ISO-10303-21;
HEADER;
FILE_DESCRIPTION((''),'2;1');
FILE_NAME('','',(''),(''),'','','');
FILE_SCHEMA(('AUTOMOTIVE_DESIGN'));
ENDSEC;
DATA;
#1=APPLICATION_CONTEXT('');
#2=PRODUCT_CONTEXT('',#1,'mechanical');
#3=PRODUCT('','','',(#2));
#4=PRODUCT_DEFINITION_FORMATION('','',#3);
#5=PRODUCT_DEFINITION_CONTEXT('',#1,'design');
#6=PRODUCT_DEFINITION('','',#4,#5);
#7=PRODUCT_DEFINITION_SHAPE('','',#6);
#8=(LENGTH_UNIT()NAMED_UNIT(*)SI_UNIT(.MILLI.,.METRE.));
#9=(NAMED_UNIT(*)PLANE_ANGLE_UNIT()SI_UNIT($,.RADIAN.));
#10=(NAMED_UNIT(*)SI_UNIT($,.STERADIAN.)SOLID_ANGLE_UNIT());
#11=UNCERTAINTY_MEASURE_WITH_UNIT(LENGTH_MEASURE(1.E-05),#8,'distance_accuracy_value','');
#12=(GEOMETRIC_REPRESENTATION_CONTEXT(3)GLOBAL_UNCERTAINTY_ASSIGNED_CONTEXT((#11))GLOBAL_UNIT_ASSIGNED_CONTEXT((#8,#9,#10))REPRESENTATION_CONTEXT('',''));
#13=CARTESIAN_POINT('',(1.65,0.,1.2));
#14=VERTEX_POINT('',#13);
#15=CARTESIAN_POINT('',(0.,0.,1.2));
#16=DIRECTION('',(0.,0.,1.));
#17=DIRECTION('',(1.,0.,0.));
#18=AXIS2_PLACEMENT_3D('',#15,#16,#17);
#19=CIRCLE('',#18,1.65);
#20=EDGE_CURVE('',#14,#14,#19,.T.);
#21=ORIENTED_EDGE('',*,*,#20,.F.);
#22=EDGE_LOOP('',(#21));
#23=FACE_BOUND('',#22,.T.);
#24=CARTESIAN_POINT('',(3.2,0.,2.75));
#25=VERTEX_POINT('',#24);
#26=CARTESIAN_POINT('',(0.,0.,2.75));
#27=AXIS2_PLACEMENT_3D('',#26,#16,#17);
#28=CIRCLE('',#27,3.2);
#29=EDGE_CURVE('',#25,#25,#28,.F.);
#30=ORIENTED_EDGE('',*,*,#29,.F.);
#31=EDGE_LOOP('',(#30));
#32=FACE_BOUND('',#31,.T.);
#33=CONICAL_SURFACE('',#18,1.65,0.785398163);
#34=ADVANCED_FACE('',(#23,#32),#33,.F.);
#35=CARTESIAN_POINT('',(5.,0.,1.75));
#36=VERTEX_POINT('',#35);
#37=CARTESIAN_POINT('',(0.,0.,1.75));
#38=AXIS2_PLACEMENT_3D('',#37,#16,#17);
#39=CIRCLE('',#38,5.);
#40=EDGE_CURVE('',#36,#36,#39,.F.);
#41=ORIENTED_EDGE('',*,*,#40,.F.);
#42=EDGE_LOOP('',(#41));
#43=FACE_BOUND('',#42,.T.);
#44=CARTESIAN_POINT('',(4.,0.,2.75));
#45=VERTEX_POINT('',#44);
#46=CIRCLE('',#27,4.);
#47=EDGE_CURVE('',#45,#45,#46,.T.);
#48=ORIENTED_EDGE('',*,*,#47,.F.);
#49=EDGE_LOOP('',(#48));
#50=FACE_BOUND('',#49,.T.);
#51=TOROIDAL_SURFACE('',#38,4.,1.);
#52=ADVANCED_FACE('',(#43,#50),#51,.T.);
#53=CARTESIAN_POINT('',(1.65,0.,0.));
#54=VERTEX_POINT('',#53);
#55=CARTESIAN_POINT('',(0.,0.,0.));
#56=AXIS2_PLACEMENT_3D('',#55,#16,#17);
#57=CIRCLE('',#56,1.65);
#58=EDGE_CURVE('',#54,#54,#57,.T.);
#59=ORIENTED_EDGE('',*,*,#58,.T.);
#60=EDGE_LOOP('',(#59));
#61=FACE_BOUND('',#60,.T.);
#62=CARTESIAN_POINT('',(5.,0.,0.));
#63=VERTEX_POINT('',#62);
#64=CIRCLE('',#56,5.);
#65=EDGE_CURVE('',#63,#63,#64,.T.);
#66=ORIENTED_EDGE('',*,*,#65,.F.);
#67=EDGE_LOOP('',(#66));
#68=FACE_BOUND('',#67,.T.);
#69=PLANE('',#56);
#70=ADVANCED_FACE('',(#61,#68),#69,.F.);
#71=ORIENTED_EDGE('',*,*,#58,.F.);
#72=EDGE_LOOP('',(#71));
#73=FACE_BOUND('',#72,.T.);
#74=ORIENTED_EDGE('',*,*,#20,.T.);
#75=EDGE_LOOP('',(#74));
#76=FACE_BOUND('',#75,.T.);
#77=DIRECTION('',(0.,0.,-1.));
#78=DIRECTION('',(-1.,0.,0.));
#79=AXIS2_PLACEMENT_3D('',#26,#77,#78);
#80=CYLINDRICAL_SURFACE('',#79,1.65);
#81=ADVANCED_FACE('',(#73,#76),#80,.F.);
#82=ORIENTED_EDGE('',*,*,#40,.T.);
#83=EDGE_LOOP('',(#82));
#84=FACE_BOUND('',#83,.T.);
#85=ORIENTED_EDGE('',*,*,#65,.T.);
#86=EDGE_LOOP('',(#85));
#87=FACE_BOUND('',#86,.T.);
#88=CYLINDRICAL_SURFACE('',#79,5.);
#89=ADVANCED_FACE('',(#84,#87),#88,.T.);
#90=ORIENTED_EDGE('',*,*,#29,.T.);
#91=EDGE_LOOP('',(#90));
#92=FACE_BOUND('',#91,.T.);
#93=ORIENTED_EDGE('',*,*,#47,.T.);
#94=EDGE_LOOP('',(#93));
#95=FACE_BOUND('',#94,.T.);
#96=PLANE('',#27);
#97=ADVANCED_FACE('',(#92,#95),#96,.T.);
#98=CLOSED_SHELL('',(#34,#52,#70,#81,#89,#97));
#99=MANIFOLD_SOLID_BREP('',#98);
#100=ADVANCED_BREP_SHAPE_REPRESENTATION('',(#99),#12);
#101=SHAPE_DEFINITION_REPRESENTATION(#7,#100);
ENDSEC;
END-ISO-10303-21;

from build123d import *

# Parameters (mm, degrees)
SKETCH1_R           = 5
SKETCH1_R_2         = 1.65
BOSS_EXTRUDE1_DEPTH = 2.75
CHAMFER2_SIZE       = 1.55
FILLET1_R           = 1


with BuildPart() as part:
    # Sketch1 → Boss-Extrude1 (new body)
    with BuildSketch(Plane(origin=(0, 0, 0), x_dir=(0, 1, 0), z_dir=(0, 0, 1))):
        with Locations(Location((0, 0, 0), (0, 0, 270))):
            Circle(SKETCH1_R)
        with Locations(Location((0, 0, 0), (0, 0, 270))):
            Circle(SKETCH1_R_2, mode=Mode.SUBTRACT)
    extrude(amount=BOSS_EXTRUDE1_DEPTH)

    # Chamfer2
    chamfer2_edges = [part.edges().sort_by_distance(p)[0] for p in [
        (-1.65, 0, 2.75),
    ]]
    chamfer(chamfer2_edges, length=CHAMFER2_SIZE)

    # Fillet1
    fillet1_edges = [part.edges().sort_by_distance(p)[0] for p in [
        (-5, 0, 2.75),
    ]]
    fillet(fillet1_edges, radius=FILLET1_R)


solid = part.part
